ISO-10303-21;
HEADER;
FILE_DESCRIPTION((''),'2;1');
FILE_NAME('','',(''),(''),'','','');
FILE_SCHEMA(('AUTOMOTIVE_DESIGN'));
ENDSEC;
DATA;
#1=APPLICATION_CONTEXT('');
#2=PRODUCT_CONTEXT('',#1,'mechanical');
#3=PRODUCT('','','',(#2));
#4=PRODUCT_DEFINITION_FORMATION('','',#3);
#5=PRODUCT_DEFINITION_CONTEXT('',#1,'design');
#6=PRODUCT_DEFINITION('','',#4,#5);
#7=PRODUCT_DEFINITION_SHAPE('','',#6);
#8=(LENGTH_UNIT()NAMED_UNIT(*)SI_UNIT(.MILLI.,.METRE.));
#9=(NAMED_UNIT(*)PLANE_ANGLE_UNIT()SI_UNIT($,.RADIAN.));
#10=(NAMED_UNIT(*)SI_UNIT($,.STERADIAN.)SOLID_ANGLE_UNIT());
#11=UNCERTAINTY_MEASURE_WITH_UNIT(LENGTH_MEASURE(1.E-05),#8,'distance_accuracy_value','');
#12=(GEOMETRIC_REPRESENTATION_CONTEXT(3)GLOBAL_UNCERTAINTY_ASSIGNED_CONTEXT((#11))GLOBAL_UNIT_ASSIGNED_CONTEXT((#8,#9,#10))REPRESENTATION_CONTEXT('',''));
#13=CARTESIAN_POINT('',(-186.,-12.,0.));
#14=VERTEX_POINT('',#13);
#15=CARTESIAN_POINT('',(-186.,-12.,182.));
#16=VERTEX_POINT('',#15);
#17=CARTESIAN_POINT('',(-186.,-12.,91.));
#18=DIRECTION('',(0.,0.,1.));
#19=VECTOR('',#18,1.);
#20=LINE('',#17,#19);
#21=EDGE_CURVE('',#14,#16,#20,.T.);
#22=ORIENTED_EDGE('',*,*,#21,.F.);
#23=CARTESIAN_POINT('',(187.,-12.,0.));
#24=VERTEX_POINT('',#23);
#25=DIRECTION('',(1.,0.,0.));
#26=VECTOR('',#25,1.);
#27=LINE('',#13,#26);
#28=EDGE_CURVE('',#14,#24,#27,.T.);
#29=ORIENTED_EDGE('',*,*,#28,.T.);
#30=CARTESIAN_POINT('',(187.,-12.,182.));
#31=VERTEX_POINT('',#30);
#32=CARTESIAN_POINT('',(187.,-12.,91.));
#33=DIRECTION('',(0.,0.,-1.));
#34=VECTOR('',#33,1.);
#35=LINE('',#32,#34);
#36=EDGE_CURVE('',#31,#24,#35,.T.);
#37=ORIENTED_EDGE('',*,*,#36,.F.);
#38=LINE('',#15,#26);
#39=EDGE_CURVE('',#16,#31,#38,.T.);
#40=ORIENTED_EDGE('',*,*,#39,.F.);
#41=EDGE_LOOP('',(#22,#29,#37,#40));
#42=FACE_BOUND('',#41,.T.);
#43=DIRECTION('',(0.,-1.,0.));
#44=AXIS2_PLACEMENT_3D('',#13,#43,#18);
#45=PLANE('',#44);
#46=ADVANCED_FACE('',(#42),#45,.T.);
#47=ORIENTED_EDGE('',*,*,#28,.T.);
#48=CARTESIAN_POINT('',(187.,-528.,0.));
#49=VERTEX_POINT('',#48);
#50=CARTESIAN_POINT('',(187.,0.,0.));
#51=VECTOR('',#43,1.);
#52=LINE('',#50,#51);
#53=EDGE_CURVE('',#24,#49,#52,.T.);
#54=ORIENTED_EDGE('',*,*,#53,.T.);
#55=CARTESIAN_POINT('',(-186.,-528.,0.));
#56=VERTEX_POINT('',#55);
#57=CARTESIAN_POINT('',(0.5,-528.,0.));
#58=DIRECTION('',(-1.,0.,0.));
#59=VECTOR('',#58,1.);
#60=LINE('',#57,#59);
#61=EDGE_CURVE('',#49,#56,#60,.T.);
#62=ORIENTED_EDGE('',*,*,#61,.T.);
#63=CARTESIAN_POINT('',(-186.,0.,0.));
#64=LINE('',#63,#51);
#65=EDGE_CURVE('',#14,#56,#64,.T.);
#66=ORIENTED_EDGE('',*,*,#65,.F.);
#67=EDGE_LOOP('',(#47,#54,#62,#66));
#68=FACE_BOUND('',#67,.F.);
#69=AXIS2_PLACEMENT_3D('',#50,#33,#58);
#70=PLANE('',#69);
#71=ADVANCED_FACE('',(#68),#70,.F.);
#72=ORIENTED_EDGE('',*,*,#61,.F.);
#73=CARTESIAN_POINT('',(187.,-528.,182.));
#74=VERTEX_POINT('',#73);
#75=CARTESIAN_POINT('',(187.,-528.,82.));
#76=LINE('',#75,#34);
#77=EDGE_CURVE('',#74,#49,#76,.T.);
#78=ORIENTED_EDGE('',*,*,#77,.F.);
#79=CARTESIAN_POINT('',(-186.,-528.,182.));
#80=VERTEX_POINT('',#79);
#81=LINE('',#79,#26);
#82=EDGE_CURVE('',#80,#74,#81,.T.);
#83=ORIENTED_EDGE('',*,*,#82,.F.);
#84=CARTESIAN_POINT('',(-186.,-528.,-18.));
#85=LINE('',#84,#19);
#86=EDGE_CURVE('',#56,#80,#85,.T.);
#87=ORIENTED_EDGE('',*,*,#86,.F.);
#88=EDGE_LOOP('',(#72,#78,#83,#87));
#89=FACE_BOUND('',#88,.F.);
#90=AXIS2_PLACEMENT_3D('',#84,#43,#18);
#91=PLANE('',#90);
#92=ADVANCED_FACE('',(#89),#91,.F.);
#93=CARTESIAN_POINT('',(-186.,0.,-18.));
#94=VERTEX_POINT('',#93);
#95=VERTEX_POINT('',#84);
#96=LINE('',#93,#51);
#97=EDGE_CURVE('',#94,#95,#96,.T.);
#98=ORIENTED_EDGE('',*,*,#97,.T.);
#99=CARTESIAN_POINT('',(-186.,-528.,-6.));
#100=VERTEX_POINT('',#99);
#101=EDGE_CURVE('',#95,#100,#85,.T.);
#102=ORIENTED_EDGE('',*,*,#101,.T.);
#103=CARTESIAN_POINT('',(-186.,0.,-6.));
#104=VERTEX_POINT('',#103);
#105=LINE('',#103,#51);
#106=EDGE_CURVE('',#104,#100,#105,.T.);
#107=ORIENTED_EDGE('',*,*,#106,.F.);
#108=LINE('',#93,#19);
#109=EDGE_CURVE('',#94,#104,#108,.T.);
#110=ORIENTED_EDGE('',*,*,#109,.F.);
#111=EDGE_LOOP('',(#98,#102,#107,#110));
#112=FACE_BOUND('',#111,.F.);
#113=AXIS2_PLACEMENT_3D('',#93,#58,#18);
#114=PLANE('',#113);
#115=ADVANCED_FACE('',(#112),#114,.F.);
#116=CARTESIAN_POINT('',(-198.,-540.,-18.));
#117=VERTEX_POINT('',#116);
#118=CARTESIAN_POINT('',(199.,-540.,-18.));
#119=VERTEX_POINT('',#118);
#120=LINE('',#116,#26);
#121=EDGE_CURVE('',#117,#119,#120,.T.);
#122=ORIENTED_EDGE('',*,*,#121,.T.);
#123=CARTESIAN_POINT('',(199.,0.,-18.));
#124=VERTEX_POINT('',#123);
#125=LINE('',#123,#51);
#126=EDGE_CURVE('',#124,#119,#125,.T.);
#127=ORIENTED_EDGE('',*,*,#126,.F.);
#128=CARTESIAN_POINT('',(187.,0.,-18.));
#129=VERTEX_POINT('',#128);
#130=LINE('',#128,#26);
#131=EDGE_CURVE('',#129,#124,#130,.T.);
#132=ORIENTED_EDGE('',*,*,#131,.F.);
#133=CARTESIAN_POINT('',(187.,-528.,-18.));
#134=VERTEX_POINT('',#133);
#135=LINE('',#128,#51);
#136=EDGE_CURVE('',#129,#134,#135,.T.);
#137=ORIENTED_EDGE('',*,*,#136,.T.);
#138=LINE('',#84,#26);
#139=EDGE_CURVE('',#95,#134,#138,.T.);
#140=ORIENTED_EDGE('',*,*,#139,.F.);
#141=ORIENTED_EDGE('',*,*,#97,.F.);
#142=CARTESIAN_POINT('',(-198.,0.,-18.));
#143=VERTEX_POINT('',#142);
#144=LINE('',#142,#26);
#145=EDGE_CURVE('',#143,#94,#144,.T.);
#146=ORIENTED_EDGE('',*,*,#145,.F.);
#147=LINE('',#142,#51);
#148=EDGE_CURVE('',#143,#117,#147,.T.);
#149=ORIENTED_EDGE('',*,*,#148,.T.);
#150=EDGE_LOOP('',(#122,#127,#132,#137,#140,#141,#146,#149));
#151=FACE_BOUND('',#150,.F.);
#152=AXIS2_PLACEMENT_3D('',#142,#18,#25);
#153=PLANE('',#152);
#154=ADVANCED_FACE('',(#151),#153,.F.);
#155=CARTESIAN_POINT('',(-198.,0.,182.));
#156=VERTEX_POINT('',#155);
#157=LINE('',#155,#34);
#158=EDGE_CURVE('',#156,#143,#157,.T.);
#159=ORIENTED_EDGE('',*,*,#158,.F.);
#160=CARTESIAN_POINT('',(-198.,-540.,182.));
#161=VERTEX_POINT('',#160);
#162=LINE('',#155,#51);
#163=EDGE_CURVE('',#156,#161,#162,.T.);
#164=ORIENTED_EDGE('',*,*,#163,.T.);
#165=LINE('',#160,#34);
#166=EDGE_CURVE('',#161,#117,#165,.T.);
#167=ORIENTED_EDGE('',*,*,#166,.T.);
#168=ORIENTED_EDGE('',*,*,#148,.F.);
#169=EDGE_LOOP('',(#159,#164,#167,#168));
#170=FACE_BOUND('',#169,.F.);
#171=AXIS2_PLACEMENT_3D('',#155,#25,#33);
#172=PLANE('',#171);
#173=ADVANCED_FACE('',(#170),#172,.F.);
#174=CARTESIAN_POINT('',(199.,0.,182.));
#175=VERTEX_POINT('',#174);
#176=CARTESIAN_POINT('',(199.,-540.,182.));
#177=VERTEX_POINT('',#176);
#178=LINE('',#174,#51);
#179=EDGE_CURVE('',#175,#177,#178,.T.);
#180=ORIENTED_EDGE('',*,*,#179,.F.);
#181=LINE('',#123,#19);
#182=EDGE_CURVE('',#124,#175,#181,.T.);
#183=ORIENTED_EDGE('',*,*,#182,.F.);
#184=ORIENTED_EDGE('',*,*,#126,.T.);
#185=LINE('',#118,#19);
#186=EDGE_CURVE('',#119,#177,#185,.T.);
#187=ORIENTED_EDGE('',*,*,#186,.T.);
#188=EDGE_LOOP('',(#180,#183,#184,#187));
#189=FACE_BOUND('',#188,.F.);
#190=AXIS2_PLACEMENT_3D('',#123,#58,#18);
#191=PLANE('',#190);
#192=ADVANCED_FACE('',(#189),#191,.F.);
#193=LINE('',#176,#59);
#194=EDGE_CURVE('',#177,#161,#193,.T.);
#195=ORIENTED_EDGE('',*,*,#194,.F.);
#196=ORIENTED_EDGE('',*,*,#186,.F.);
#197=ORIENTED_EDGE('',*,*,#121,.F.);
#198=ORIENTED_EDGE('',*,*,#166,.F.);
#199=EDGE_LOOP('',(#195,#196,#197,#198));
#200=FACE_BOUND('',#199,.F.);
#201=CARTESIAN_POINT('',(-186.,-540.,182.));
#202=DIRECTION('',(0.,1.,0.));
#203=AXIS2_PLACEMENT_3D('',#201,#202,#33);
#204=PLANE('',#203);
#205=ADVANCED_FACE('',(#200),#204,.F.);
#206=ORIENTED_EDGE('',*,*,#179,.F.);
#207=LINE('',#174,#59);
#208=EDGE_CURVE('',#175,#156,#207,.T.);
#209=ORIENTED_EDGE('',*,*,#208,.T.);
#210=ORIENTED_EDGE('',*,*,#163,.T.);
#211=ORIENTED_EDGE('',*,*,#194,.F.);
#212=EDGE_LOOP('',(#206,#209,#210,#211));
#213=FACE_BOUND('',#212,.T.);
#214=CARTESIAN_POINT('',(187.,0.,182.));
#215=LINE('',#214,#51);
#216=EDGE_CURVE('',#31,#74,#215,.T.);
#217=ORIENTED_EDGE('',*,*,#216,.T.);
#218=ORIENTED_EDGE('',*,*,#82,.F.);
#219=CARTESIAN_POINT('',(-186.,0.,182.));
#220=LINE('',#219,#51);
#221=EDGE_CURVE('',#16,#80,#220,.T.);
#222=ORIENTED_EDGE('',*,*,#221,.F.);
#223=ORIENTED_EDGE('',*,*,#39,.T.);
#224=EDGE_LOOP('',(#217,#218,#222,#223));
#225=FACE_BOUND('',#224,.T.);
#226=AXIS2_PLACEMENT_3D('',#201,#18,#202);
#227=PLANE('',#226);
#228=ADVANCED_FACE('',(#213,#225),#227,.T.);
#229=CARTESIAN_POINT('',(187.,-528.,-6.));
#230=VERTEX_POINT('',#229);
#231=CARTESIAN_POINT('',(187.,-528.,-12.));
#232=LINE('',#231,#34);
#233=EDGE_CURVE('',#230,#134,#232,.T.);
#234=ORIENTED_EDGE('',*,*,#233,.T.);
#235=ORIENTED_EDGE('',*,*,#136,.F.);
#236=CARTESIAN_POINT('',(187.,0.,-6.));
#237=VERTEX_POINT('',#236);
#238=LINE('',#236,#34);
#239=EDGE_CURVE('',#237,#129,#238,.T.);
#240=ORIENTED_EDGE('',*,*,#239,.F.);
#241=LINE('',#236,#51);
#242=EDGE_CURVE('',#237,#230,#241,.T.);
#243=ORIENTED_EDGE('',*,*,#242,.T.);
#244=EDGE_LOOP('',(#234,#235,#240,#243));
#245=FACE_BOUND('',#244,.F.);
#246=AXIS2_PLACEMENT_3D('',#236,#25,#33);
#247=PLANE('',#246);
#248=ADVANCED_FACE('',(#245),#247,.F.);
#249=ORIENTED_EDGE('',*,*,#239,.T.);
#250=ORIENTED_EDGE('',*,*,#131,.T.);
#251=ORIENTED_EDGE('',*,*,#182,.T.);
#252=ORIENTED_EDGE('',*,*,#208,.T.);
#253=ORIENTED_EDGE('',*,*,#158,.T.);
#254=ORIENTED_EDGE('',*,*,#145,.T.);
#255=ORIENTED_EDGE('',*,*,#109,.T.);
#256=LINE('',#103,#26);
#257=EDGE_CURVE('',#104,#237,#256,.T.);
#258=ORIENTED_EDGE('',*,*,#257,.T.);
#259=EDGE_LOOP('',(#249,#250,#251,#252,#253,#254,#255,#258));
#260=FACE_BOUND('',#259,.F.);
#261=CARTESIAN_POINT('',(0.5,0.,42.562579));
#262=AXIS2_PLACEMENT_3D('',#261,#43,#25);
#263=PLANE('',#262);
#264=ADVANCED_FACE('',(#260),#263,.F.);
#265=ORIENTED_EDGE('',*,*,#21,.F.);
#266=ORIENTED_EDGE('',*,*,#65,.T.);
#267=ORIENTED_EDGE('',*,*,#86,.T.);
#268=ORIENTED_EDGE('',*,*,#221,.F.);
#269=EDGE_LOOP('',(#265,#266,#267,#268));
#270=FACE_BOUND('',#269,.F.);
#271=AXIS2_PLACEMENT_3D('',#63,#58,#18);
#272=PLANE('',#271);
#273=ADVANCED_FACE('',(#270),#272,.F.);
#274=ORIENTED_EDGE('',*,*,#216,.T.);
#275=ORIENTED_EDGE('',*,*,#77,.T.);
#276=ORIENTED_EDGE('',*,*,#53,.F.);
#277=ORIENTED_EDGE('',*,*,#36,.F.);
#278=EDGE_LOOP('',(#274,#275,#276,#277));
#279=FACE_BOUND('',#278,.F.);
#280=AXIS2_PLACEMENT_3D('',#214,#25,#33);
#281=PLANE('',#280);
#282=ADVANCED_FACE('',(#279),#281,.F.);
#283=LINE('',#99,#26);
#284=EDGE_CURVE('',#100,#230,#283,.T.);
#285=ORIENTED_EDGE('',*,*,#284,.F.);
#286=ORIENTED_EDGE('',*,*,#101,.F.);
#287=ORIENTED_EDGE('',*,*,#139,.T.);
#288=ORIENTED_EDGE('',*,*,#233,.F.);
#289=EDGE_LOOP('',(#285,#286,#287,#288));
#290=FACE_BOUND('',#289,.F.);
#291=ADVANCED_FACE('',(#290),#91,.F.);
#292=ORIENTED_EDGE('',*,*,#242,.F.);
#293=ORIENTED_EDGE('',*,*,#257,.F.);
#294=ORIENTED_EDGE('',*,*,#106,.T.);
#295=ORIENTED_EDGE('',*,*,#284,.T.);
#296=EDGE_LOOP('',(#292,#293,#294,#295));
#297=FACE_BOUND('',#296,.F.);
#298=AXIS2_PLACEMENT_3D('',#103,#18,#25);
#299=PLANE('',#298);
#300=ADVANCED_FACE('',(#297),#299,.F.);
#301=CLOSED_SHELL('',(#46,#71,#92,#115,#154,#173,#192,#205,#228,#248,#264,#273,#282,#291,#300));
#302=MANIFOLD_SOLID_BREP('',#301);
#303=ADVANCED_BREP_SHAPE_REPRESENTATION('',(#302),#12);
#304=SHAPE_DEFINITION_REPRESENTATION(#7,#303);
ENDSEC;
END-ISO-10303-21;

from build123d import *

# Parameters (mm, degrees)
F1_DEPTH = 540
F2_W     = 12
F2_H     = 182
F2_H_2   = 18
F3_DEPTH = 380


with BuildPart() as f1:
    # F0 (on Front) → F1 (new body)
    with BuildSketch(Plane.XZ):
        Polygon((187, 0), (0, 0), (-186, 0), (-186, 182), (-198, 182), (-198, -18), (-186, -18), (-186, -6), (187, -6), (187, -18), (199, -18), (199, 182), (187, 182), align=None)
    extrude(amount=F1_DEPTH)

    # F2 (on face) → F3 (join)
    with BuildSketch(Plane.YZ.offset(-186)):
        with Locations((-534, 91)):
            Rectangle(F2_W, F2_H)
        with Locations((-534, -9)):
            Rectangle(F2_W, F2_H_2)
        with Locations((-6, 91)):
            Rectangle(F2_W, F2_H)
    extrude(amount=F3_DEPTH)


solid = f1.part
